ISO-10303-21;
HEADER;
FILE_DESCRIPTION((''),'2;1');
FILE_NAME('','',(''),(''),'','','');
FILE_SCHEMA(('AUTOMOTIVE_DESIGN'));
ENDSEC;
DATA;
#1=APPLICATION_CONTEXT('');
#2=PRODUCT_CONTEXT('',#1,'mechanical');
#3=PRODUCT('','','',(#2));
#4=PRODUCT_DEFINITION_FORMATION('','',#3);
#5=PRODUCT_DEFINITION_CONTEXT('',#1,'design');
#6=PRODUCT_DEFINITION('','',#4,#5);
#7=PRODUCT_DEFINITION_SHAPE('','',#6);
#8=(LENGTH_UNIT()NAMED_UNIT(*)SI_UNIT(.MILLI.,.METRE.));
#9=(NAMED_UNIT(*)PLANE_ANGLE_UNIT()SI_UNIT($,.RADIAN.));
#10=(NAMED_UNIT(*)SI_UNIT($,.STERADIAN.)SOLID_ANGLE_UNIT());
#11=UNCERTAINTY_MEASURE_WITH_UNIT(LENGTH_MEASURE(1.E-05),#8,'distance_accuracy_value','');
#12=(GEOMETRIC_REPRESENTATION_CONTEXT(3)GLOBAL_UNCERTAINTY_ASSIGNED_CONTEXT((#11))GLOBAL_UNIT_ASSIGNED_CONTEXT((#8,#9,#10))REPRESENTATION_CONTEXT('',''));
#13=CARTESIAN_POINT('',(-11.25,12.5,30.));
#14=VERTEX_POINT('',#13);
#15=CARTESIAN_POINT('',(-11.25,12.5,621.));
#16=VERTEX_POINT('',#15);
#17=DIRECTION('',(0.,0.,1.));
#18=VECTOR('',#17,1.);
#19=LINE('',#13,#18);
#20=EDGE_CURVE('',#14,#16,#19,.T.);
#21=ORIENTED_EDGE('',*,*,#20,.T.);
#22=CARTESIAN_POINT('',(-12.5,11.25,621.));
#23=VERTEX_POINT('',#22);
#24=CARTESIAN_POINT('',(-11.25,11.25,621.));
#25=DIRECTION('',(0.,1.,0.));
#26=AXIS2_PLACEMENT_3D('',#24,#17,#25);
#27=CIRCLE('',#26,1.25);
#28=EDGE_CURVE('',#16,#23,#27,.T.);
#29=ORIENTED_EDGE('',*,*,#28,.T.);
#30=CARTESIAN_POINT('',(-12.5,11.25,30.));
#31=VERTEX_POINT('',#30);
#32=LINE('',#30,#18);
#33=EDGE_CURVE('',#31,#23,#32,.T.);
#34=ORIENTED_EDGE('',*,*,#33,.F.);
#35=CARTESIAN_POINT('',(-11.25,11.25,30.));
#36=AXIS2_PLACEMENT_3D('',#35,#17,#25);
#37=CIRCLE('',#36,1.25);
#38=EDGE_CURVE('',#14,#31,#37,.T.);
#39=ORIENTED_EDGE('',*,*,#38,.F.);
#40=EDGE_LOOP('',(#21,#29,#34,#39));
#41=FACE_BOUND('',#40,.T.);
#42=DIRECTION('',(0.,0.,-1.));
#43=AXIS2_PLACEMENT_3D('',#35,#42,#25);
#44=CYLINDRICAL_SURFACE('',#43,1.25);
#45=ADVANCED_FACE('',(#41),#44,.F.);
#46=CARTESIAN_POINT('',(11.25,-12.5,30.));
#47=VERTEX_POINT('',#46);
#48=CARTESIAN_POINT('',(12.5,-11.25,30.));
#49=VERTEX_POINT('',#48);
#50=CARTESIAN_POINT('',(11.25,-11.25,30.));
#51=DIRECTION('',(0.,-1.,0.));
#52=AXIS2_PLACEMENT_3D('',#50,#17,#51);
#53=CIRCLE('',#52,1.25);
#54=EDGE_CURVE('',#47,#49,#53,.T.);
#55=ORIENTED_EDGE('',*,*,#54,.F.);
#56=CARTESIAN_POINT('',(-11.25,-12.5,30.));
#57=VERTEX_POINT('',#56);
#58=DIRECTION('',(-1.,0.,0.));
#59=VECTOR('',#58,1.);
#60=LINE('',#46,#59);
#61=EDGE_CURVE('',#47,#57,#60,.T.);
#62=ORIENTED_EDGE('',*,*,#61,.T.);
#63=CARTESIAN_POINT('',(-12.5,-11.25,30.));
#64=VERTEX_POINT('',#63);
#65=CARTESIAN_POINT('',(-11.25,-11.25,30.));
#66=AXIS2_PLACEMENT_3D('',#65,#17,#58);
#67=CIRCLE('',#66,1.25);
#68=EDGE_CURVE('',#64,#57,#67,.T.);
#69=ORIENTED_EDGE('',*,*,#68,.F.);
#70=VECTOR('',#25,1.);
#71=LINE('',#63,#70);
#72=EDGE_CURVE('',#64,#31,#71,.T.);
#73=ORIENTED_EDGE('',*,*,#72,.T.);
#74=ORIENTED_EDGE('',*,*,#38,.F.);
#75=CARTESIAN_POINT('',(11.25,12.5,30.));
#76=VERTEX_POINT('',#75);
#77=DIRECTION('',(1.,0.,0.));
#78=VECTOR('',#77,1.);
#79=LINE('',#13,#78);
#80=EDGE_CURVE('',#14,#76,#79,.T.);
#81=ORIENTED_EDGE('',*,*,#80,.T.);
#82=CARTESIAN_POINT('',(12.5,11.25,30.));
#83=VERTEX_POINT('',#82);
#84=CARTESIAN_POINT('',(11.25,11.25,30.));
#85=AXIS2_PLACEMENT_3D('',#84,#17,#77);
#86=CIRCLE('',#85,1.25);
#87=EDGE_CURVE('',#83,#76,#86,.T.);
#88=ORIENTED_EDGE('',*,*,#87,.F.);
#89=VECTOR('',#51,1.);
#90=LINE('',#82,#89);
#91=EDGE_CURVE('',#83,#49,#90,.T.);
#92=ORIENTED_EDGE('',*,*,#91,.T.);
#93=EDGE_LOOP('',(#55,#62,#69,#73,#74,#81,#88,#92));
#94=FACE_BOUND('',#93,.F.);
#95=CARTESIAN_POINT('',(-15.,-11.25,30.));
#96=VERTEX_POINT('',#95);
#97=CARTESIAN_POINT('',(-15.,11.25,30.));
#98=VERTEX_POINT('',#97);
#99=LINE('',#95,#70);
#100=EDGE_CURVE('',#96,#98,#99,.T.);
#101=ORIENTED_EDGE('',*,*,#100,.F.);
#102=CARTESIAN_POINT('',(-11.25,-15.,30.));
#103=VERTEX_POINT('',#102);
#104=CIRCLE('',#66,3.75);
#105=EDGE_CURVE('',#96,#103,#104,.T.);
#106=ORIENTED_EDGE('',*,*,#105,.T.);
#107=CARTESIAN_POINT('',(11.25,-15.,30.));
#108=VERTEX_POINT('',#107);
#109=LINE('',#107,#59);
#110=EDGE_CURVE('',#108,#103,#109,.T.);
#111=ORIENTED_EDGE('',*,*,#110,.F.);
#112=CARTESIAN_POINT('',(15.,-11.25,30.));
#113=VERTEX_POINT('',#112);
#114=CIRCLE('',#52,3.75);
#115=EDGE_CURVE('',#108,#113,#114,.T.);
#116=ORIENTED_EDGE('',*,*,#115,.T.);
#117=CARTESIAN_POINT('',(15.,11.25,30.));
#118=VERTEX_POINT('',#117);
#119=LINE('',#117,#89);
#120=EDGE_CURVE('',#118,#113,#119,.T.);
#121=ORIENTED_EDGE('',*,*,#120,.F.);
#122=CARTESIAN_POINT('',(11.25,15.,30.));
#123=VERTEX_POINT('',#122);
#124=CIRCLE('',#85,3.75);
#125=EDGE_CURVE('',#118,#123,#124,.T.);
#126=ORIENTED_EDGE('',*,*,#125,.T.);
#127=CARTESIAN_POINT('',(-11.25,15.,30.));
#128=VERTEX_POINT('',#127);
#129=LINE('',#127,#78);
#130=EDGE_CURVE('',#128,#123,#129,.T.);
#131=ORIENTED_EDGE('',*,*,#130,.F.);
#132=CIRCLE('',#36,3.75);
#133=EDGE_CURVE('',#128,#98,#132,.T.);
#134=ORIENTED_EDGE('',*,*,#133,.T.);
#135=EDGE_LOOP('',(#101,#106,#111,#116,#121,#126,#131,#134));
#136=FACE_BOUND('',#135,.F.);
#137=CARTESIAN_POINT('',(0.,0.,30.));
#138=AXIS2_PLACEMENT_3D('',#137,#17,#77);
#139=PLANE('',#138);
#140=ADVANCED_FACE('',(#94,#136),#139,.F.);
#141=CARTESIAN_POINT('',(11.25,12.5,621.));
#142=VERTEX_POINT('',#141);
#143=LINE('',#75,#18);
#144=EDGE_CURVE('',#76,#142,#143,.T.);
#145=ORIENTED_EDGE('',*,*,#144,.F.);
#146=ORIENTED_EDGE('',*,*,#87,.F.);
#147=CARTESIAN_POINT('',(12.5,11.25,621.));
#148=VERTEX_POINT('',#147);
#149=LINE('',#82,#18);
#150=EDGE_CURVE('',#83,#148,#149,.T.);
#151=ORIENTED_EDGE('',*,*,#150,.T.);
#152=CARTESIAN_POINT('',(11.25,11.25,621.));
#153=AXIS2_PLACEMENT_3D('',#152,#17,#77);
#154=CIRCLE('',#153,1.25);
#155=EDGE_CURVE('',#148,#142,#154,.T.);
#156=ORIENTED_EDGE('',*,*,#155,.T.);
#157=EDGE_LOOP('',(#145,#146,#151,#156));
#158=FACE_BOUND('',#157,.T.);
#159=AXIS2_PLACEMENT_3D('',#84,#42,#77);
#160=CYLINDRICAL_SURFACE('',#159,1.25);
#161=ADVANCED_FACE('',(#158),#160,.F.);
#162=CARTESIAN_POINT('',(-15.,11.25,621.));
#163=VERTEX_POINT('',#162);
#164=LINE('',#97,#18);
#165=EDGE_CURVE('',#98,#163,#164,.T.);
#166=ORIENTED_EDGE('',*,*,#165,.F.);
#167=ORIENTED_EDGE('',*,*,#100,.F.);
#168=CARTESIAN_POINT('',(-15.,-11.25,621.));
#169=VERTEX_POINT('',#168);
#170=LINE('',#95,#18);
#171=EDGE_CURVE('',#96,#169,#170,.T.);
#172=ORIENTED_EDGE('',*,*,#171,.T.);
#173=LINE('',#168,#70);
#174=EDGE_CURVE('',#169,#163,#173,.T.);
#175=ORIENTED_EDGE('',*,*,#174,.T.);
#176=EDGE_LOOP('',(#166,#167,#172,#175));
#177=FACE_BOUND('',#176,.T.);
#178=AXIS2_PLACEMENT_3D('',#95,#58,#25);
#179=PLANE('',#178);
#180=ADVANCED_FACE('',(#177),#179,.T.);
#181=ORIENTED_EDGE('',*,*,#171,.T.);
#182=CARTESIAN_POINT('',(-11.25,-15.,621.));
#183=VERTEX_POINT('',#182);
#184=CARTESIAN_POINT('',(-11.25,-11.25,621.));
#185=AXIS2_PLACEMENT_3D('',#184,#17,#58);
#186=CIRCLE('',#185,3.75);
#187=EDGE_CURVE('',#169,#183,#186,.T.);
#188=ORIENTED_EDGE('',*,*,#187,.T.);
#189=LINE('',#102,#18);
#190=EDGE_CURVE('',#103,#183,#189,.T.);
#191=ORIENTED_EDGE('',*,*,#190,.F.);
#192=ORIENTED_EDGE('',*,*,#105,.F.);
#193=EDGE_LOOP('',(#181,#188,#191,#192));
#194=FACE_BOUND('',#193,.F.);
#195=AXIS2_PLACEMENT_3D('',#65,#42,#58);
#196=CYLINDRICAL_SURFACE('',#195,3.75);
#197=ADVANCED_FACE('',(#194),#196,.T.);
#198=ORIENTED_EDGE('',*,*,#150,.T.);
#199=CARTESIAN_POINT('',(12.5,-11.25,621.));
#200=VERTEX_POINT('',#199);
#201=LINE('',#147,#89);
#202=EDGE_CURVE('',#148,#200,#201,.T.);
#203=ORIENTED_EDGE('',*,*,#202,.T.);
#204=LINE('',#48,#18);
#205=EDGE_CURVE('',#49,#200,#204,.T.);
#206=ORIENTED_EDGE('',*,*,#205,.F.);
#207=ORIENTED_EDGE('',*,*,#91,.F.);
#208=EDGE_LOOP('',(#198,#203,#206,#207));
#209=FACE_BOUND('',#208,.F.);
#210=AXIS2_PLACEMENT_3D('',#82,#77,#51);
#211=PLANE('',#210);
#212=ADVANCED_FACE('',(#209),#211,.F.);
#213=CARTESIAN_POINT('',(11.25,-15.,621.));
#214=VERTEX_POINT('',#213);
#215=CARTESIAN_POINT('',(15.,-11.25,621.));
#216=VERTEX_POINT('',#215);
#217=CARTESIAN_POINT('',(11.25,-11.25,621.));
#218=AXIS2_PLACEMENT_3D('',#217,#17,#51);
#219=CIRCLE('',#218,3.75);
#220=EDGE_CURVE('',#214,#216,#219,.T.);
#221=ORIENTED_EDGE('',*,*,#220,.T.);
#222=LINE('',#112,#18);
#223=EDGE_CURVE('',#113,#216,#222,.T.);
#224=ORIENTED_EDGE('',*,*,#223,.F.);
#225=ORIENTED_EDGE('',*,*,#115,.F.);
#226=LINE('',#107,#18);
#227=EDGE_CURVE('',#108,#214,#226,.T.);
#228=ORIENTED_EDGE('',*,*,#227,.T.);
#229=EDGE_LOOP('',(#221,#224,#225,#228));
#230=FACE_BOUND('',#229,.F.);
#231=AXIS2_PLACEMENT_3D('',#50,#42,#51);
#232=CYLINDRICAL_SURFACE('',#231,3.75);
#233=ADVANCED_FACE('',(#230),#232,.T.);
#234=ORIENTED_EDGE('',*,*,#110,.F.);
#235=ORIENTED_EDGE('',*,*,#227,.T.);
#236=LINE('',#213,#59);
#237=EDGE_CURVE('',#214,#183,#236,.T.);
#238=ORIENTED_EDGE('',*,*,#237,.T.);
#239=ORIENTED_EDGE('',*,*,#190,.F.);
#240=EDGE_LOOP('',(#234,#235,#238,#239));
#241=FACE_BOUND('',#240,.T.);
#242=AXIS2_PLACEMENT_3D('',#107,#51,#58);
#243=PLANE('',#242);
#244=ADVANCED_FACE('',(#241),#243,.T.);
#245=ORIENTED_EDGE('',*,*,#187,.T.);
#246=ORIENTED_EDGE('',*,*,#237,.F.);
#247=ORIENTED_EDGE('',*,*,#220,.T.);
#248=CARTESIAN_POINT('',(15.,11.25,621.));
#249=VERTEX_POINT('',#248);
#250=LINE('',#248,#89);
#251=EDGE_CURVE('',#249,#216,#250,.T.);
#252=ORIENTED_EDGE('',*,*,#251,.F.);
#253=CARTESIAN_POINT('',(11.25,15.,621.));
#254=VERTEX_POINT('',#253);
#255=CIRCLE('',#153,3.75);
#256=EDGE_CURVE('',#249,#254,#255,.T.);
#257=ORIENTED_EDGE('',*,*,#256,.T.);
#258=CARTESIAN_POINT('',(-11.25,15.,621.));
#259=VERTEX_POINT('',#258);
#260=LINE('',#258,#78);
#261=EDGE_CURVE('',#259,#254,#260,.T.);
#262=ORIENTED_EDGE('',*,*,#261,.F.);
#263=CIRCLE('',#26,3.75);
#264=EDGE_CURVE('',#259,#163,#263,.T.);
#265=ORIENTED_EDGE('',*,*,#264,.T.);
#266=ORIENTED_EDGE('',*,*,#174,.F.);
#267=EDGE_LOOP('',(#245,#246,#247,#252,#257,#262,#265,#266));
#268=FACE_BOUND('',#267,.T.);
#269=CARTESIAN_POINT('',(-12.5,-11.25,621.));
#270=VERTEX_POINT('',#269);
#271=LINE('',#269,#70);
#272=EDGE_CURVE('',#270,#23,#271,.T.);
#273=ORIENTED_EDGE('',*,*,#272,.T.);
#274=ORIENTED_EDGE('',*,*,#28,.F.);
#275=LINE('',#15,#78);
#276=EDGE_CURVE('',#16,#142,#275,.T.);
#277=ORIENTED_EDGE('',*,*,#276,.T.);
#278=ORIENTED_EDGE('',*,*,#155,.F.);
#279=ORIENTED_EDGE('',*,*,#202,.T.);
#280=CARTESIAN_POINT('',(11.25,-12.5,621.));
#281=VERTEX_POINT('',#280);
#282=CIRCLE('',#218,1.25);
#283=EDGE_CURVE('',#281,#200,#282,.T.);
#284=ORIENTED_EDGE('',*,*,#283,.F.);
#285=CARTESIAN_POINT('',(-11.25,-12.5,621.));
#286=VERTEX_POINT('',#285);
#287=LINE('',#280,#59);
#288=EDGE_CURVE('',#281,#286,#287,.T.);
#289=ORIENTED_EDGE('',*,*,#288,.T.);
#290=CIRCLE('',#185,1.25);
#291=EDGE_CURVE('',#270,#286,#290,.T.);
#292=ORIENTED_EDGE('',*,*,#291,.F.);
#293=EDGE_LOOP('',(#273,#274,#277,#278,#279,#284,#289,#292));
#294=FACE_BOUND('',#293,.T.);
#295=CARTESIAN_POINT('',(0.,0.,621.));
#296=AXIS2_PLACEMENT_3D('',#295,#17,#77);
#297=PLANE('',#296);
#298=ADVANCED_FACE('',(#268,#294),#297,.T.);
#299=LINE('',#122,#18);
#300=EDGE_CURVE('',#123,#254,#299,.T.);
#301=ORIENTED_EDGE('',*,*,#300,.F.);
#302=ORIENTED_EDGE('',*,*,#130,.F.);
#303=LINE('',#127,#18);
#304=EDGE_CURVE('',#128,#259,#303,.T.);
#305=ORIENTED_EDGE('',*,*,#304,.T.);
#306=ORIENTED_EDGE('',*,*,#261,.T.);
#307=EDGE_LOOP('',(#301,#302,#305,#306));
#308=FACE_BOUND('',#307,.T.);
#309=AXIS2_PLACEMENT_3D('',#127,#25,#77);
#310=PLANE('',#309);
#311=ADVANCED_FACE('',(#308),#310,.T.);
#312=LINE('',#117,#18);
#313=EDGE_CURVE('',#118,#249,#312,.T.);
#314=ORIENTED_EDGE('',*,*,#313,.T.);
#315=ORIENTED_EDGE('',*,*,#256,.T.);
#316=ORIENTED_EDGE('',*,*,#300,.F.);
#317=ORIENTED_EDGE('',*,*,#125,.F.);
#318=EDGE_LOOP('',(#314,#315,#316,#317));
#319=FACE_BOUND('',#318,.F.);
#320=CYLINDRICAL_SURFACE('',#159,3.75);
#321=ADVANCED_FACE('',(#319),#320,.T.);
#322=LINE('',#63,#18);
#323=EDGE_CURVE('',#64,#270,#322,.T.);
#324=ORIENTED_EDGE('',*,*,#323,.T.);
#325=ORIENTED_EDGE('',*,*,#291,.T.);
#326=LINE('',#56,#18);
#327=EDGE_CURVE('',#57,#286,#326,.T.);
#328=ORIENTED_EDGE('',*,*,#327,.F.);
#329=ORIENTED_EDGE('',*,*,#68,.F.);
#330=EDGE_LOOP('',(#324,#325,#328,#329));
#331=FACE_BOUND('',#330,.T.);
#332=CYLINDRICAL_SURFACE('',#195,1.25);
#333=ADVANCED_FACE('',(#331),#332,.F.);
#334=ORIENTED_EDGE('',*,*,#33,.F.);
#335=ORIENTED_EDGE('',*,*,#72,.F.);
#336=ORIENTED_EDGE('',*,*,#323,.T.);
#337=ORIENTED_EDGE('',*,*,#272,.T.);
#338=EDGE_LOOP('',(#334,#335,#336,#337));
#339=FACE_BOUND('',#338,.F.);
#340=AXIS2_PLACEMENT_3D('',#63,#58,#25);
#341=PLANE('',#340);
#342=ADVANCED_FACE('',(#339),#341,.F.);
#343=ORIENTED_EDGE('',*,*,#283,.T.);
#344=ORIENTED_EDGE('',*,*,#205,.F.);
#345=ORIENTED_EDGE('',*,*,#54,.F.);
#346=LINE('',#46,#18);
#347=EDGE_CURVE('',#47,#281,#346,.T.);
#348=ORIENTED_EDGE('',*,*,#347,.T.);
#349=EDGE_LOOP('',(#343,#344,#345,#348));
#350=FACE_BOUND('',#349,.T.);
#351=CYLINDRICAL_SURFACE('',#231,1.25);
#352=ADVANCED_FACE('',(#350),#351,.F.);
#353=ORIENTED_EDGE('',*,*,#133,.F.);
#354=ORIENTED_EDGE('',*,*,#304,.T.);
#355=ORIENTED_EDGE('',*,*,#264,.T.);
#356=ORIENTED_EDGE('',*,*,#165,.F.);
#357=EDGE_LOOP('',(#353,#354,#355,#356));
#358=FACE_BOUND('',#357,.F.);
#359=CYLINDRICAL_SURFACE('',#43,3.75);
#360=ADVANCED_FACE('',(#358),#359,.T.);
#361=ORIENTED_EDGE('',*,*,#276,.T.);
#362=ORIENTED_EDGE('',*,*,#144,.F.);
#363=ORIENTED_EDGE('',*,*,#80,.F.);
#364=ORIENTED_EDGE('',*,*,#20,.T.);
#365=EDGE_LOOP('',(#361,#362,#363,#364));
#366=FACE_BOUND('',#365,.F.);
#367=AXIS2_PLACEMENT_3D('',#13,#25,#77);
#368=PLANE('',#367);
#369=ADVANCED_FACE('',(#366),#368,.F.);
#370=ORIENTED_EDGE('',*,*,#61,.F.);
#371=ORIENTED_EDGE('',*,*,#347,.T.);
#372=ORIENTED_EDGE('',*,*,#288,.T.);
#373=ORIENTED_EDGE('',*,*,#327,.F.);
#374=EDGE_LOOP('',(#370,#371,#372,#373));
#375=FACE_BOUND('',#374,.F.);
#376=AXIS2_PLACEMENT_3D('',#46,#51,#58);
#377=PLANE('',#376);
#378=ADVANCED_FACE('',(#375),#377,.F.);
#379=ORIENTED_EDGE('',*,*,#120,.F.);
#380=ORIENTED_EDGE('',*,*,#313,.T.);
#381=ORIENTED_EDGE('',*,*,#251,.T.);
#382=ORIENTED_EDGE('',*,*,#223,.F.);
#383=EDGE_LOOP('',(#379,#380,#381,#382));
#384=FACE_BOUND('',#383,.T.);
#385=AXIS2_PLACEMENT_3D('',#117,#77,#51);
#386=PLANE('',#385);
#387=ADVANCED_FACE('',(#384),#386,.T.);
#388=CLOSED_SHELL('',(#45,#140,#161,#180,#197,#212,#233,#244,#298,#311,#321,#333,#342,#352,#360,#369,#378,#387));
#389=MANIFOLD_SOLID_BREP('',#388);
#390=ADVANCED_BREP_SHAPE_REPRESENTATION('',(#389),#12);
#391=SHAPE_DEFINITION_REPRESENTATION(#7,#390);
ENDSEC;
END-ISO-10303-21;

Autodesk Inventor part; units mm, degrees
ref_plane "Start plane" through (0, 0, 30) normal (0, 0, 1) x (1, 0, 0)
ref_plane "End plane" through (0, 0, 621) normal (0, 0, 1) x (1, 0, 0)
sketch "Sketch" plane through (0, 0, 0) normal (0, 0, 1) x (1, 0, 0)
  line L0 (-15, -11.25) -> (-15, 11.25)
  line L1 (-11.25, 15) -> (11.25, 15)
  line L2 (15, 11.25) -> (15, -11.25)
  line L3 (11.25, -15) -> (-11.25, -15)
  arc A0 (-15, -11.25) -> (-11.25, -15) centre (-11.25, -11.25) ccw
  arc A1 (-11.25, 15) -> (-15, 11.25) centre (-11.25, 11.25) ccw
  arc A2 (15, 11.25) -> (11.25, 15) centre (11.25, 11.25) ccw
  arc A3 (11.25, -15) -> (15, -11.25) centre (11.25, -11.25) ccw
  arc A4 (-11.25, 12.5) -> (-12.5, 11.25) centre (-11.25, 11.25) ccw
  line L4 (-11.25, 12.5) -> (11.25, 12.5)
  arc A5 (12.5, 11.25) -> (11.25, 12.5) centre (11.25, 11.25) ccw
  line L5 (12.5, 11.25) -> (12.5, -11.25)
  arc A6 (11.25, -12.5) -> (12.5, -11.25) centre (11.25, -11.25) ccw
  line L6 (11.25, -12.5) -> (-11.25, -12.5)
  arc A7 (-12.5, -11.25) -> (-11.25, -12.5) centre (-11.25, -11.25) ccw
  line L7 (-12.5, -11.25) -> (-12.5, 11.25)
  line L8 (0, 22.0873) -> (0, -22.0873) construction
  line L9 (-22.0873, 0) -> (22.0873, 0) construction
  dimension "d7" = 3.75
  dimension "d10" = 30
  dimension "d11" = 30
  dimension "d12" = 2.5
  dimension "d15" = 15
  dimension "d16" = 15
extrude "Body" add sketch "Sketch" along normal up to surface (591 mm away) from surface at 30
sketch "Sketch3" plane through (0, 0, 0) normal (0, 0, 1) x (1, 0, 0)
  line L0 (0, 0) -> (10, 0)
ref_plane "Work Plane3" through (0, 0, 0) normal (0, -1, 0) x (1, 0, 0)
sketch "Sketch4" plane through (0, 0, 0) normal (0, -1, 0) x (1, 0, 0)
  line L0 (-2, 30) -> (12, 30)
  line L1 (-2, 621) -> (12, 621)
  dimension "d18" = 591
ref_plane "Work Plane5" through (29.2, 615, 621) normal (0, 0, 1) x (1, 0, 0)
split "Split2" plane through (29.2, 615, 621) removes the side toward (0, 0, 1)
ref_plane "Work Plane6" through (29.2, -235, 30) normal (0, 0, -1) x (-1, 0, 0)
split "Split3" plane through (29.2, -235, 30) removes the side toward (0, 0, -1)
equation "\"d7\" = G_IR"
equation "\"d10\" = G_H"
equation "\"d11\" = G_W"
equation "\"d12\" = G_T"
equation "\"d15\" = 0.5 * d10"
equation "\"d16\" = 0.5 * d11"
equation "\"d3\" = G_L"
equation "\"G_W\" = 30"
equation "\"G_H\" = 30"
equation "\"G_T\" = 2.5"
equation "\"G_IR\" = 3.75"
equation "\"G_L\" = d18"
equation "\"d14\" = G_OFFSET_END + B_L"
equation "\"B_L\" = 651"
equation "\"G_OFFSET_END\" = -30"
properties part number "DIN EN 10305-5 - 30 x 30 x 2,5  - 591" material "Steel, Mild"
